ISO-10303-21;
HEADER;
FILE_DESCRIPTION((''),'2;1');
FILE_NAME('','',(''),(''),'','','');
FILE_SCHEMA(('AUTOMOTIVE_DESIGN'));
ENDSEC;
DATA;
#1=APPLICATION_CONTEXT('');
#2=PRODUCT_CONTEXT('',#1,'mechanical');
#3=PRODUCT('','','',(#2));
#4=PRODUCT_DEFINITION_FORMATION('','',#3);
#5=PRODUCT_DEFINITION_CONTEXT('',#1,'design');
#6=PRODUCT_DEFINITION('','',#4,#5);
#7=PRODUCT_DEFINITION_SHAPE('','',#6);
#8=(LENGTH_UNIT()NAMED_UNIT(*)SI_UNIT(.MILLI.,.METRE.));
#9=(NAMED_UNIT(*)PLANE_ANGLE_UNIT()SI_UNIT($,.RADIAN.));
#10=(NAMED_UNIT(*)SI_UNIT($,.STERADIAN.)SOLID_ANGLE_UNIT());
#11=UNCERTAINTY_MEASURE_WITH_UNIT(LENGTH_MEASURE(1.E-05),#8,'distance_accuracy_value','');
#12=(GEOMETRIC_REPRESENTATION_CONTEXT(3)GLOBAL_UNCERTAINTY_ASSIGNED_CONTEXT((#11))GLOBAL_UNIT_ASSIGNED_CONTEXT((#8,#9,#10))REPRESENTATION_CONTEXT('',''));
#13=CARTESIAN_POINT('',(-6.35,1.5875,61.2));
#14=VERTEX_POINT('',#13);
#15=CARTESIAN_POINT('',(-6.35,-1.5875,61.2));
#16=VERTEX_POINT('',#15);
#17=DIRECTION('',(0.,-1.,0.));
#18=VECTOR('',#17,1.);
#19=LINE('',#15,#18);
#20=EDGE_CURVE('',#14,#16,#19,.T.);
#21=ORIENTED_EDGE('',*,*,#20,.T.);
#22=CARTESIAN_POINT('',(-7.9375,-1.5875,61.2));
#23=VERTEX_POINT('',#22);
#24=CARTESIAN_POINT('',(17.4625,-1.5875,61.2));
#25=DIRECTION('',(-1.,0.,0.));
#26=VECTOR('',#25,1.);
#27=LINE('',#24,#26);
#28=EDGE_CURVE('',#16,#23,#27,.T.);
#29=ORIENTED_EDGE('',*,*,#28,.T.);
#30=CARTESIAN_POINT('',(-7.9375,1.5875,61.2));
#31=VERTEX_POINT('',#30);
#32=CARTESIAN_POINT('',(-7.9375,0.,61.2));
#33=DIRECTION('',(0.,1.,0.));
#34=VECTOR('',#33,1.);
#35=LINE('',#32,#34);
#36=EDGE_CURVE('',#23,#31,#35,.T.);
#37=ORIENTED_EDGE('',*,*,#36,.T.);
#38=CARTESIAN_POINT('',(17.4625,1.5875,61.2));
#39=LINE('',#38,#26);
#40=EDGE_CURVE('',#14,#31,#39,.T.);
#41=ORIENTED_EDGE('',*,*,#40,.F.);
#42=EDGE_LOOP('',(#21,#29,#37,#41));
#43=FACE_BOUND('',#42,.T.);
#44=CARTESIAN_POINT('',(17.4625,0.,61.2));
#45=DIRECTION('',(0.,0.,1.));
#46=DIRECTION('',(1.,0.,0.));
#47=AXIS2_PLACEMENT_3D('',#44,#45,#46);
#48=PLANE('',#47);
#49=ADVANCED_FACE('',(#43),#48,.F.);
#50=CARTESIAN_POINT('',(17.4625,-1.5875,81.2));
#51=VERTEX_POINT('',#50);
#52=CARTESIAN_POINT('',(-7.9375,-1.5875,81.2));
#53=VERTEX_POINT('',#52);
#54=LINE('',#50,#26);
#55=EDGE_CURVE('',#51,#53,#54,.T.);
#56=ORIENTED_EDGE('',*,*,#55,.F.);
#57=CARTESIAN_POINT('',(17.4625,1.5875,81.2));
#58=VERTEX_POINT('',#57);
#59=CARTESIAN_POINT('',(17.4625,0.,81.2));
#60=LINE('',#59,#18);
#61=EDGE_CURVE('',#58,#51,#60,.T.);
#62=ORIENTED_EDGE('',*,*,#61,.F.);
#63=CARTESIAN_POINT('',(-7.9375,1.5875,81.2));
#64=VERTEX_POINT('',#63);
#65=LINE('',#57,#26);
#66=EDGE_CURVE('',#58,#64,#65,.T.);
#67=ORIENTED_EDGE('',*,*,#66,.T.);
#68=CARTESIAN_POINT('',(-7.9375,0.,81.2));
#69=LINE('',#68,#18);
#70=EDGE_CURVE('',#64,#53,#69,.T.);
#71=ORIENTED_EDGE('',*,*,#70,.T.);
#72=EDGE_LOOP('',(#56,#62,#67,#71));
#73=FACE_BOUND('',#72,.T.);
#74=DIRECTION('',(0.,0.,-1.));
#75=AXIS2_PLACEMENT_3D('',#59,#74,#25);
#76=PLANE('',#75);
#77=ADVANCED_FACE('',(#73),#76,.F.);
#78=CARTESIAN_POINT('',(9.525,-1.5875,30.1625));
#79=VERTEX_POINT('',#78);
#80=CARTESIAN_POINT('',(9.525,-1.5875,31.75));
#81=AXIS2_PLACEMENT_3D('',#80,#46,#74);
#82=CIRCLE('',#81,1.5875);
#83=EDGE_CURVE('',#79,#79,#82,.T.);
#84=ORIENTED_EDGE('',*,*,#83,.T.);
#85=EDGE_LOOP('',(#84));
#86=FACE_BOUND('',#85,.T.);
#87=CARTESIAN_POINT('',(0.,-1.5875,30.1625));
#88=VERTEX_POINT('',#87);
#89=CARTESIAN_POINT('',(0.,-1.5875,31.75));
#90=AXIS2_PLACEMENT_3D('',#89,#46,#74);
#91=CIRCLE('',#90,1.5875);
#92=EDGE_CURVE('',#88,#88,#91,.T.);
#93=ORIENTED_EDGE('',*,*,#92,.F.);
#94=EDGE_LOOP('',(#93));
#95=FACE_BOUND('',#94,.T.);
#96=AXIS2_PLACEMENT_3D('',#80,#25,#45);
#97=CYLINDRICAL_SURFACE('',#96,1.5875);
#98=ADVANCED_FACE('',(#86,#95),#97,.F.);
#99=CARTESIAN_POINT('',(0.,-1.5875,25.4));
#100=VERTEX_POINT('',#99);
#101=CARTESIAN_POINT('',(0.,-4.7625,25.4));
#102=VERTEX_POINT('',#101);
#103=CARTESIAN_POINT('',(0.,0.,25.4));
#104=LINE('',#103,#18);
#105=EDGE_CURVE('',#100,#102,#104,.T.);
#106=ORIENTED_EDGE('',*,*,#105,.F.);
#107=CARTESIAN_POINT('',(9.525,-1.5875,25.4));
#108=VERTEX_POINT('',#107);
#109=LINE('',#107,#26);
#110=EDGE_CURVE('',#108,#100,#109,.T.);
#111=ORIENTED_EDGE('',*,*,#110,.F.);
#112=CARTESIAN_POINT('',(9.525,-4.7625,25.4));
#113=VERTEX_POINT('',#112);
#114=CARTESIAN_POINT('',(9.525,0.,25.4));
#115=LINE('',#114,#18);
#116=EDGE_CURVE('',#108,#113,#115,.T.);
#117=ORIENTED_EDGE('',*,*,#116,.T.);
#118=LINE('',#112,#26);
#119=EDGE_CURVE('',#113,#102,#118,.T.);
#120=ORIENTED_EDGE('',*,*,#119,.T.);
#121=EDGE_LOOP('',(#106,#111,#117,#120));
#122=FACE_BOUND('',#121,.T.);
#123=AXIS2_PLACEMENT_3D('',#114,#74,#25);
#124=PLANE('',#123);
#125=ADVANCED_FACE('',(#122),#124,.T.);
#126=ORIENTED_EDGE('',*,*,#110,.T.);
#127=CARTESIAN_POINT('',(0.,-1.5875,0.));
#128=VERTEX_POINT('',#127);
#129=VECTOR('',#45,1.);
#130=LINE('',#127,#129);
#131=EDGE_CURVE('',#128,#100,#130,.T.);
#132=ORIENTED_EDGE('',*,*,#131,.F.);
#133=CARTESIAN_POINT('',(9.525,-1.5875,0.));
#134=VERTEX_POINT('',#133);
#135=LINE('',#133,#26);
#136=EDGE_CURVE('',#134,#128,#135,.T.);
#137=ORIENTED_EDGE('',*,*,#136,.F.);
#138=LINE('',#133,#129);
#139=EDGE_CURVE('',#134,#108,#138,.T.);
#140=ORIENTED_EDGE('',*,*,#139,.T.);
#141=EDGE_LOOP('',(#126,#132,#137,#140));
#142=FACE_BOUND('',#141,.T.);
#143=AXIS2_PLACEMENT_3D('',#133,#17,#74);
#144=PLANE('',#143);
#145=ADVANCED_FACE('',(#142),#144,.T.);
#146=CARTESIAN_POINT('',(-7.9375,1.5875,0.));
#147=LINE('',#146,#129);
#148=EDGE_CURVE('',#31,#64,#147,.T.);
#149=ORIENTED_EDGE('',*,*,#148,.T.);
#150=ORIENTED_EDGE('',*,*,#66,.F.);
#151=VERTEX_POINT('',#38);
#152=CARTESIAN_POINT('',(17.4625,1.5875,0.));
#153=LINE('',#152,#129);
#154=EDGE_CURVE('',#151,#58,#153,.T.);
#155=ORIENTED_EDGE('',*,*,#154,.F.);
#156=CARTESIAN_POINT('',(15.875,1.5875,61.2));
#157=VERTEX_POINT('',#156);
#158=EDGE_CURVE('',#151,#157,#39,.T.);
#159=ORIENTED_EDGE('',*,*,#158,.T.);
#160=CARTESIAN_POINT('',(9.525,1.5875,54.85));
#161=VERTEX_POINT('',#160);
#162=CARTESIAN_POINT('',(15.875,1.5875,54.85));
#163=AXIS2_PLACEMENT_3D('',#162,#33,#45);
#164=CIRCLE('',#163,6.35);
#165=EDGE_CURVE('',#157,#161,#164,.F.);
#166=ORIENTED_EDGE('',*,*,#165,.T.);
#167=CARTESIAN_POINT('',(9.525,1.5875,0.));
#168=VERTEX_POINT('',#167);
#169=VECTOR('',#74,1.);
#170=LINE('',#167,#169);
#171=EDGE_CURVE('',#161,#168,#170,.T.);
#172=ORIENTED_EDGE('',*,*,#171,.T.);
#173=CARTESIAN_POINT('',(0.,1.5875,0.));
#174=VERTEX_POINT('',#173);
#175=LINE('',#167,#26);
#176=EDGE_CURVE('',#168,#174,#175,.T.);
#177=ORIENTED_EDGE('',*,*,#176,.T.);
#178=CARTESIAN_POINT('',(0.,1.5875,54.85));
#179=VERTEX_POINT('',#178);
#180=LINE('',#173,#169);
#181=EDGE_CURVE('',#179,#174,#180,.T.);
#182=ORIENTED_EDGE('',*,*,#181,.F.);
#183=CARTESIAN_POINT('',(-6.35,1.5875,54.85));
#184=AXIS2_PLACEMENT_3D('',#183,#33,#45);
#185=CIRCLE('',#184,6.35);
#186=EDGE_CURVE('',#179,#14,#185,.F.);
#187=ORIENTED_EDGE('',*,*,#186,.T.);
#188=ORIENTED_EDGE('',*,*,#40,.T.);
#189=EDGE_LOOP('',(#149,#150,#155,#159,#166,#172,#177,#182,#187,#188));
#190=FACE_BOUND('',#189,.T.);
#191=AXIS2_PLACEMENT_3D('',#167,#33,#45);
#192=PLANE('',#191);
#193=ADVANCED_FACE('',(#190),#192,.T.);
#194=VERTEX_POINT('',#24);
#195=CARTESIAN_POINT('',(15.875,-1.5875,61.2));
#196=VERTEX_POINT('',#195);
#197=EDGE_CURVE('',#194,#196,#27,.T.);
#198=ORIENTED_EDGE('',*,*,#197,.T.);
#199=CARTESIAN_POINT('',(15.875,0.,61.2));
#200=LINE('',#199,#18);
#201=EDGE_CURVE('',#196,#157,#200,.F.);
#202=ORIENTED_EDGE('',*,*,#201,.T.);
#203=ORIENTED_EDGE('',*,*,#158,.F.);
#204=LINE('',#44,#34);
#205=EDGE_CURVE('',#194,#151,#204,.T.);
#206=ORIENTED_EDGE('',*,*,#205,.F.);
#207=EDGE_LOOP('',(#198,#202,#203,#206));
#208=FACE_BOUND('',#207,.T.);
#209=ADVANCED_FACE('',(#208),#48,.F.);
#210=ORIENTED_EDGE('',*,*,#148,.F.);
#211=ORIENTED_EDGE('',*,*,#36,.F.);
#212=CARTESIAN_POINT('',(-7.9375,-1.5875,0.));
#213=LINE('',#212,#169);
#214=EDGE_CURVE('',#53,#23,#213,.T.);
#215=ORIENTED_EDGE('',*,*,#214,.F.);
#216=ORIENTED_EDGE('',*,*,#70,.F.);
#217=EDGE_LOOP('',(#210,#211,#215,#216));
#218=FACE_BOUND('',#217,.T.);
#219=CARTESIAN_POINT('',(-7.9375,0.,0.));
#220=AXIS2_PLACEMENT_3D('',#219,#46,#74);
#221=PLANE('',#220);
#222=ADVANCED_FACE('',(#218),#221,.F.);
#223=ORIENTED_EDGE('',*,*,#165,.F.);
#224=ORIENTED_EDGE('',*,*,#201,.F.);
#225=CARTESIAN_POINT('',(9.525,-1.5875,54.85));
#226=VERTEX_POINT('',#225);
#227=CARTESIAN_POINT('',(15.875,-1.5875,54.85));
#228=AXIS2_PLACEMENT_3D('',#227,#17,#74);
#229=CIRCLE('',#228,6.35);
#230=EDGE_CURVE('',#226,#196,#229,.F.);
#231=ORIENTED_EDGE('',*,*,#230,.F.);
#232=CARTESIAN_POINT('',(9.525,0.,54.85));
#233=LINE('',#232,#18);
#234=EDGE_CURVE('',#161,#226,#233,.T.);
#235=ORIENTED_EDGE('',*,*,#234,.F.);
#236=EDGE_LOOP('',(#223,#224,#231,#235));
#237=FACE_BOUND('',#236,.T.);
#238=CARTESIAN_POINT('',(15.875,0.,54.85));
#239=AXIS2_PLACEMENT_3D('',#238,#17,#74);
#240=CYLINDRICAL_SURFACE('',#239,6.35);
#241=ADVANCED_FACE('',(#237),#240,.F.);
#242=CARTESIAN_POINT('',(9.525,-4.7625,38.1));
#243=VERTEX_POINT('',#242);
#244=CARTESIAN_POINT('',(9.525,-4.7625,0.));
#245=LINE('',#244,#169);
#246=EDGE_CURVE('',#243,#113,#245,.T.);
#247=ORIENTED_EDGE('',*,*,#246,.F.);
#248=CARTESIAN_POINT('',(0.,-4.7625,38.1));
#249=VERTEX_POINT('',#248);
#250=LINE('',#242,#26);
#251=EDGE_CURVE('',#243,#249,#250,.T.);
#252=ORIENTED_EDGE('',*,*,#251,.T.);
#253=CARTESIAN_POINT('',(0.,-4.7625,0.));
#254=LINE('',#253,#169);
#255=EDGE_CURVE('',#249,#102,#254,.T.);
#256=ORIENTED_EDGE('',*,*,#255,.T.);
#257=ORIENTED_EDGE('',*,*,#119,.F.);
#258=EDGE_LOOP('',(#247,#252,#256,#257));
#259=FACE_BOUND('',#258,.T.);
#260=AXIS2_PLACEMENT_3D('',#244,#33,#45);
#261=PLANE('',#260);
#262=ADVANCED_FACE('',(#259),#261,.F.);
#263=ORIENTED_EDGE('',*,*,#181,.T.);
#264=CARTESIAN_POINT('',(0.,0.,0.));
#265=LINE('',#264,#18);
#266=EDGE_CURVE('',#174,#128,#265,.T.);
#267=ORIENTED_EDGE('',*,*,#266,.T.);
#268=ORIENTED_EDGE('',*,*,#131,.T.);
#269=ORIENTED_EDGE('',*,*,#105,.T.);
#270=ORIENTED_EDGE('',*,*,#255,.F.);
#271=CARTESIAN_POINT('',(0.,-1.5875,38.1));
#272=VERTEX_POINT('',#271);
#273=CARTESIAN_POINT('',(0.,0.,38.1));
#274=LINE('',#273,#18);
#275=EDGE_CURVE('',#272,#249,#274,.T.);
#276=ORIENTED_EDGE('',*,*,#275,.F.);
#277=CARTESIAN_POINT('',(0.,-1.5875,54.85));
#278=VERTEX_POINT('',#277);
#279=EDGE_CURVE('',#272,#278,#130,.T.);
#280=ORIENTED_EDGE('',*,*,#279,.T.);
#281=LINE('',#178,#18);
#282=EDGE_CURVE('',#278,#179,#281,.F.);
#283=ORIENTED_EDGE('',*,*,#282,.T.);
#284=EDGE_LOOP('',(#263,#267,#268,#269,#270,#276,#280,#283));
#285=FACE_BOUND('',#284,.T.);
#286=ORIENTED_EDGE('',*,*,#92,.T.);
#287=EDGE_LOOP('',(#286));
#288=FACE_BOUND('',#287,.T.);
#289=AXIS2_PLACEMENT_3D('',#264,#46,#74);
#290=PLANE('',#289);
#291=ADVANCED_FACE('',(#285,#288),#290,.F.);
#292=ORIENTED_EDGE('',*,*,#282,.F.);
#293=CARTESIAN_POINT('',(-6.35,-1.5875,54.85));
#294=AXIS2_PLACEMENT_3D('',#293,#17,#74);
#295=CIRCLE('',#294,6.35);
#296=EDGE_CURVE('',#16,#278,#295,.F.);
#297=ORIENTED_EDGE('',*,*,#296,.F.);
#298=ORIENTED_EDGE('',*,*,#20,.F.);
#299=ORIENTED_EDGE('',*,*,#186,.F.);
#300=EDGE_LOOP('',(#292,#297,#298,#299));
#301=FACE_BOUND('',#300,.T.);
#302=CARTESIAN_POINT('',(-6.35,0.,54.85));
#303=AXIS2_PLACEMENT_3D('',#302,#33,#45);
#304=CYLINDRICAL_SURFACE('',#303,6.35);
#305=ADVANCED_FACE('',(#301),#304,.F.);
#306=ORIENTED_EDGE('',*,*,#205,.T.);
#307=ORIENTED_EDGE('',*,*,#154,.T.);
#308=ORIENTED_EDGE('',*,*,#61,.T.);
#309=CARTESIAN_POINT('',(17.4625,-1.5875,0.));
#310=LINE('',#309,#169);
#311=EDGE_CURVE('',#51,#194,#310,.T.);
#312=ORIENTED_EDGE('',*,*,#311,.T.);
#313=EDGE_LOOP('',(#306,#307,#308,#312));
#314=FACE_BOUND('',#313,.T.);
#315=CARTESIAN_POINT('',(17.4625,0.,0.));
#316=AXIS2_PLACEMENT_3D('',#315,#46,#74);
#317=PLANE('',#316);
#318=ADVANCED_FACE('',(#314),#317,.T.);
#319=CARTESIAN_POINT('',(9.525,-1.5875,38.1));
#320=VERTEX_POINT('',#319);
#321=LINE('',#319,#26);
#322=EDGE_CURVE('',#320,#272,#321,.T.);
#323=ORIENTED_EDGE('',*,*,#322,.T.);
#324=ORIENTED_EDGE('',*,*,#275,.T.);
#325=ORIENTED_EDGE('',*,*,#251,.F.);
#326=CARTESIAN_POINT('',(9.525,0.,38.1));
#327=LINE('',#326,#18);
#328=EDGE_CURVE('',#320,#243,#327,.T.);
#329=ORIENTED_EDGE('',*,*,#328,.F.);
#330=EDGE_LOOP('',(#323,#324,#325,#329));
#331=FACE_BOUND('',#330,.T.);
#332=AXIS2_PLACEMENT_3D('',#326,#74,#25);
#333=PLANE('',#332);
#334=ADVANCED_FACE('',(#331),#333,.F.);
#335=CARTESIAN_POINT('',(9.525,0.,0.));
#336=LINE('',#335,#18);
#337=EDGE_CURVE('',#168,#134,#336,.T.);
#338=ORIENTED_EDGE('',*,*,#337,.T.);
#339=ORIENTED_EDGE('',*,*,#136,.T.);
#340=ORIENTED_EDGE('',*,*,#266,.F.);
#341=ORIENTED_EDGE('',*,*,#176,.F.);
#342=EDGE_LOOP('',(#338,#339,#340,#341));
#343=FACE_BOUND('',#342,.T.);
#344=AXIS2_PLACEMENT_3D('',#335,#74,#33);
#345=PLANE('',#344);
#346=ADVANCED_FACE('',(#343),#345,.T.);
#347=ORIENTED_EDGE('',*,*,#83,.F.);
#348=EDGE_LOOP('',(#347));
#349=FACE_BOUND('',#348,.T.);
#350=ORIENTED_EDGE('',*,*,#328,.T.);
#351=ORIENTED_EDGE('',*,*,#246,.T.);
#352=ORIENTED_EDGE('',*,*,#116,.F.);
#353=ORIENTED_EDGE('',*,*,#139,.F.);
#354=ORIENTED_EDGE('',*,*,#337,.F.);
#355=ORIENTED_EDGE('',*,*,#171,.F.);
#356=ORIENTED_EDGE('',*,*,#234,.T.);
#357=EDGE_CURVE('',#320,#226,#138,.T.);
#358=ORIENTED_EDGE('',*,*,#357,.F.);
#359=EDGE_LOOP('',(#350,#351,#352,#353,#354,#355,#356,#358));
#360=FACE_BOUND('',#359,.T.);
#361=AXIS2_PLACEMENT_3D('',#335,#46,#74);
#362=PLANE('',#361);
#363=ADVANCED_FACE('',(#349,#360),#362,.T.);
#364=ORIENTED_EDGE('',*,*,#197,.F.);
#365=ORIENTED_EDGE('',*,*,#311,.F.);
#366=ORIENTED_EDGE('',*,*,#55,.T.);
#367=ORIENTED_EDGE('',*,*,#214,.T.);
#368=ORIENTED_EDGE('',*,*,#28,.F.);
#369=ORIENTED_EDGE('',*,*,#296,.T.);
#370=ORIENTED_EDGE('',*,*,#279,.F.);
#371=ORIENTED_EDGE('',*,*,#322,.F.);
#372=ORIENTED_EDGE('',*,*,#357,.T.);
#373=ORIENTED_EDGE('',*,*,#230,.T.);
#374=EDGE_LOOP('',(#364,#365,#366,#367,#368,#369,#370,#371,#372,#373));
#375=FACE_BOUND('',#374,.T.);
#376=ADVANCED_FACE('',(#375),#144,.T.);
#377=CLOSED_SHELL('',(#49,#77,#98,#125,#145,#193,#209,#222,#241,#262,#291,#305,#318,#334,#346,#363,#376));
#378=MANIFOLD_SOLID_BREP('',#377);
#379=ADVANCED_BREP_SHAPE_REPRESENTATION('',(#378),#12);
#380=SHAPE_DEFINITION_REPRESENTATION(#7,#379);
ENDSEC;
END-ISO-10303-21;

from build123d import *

# Parameters (mm, degrees)
SKETCH1_R           = 1.5875
BOSS_EXTRUDE1_DEPTH = 9.525
SKETCH3_W           = 15
SKETCH3_H           = 3.175
SKETCH3_W_2         = 5
BOSS_EXTRUDE2_DEPTH = 12.7
FILLET1_R           = 6.35


with BuildPart() as part:
    # Sketch1 → Boss-Extrude1 (new body)
    with BuildSketch(Plane(origin=(0, 0, 0), x_dir=(0, 0, -1), z_dir=(1, 0, 0))):
        Polygon((0, 1.5875), (0, -1.5875), (-25.4, -1.5875), (-25.4, -4.7625), (-38.1, -4.7625), (-38.1, -1.5875), (-76.2, -1.5875), (-76.2, 1.5875), align=None)
        with Locations((-31.75, -1.5875)):
            Circle(SKETCH1_R, mode=Mode.SUBTRACT)
    extrude(amount=BOSS_EXTRUDE1_DEPTH)

    # Sketch3 → Boss-Extrude2 (add, symmetric)
    with BuildSketch(Plane(origin=(4.7625, 0, 0), x_dir=(0, 0, -1), z_dir=(1, 0, 0))):
        with Locations((-68.7, 0)):
            Rectangle(SKETCH3_W, SKETCH3_H)
        with Locations((-78.7, 0)):
            Rectangle(SKETCH3_W_2, SKETCH3_H)
    extrude(amount=BOSS_EXTRUDE2_DEPTH, both=True)

    # Fillet1
    fillet1_edges = [part.edges().sort_by_distance(p)[0] for p in [
        (0, 0, 61.2),
        (9.525, 0, 61.2),
    ]]
    fillet(fillet1_edges, radius=FILLET1_R)


solid = part.part
